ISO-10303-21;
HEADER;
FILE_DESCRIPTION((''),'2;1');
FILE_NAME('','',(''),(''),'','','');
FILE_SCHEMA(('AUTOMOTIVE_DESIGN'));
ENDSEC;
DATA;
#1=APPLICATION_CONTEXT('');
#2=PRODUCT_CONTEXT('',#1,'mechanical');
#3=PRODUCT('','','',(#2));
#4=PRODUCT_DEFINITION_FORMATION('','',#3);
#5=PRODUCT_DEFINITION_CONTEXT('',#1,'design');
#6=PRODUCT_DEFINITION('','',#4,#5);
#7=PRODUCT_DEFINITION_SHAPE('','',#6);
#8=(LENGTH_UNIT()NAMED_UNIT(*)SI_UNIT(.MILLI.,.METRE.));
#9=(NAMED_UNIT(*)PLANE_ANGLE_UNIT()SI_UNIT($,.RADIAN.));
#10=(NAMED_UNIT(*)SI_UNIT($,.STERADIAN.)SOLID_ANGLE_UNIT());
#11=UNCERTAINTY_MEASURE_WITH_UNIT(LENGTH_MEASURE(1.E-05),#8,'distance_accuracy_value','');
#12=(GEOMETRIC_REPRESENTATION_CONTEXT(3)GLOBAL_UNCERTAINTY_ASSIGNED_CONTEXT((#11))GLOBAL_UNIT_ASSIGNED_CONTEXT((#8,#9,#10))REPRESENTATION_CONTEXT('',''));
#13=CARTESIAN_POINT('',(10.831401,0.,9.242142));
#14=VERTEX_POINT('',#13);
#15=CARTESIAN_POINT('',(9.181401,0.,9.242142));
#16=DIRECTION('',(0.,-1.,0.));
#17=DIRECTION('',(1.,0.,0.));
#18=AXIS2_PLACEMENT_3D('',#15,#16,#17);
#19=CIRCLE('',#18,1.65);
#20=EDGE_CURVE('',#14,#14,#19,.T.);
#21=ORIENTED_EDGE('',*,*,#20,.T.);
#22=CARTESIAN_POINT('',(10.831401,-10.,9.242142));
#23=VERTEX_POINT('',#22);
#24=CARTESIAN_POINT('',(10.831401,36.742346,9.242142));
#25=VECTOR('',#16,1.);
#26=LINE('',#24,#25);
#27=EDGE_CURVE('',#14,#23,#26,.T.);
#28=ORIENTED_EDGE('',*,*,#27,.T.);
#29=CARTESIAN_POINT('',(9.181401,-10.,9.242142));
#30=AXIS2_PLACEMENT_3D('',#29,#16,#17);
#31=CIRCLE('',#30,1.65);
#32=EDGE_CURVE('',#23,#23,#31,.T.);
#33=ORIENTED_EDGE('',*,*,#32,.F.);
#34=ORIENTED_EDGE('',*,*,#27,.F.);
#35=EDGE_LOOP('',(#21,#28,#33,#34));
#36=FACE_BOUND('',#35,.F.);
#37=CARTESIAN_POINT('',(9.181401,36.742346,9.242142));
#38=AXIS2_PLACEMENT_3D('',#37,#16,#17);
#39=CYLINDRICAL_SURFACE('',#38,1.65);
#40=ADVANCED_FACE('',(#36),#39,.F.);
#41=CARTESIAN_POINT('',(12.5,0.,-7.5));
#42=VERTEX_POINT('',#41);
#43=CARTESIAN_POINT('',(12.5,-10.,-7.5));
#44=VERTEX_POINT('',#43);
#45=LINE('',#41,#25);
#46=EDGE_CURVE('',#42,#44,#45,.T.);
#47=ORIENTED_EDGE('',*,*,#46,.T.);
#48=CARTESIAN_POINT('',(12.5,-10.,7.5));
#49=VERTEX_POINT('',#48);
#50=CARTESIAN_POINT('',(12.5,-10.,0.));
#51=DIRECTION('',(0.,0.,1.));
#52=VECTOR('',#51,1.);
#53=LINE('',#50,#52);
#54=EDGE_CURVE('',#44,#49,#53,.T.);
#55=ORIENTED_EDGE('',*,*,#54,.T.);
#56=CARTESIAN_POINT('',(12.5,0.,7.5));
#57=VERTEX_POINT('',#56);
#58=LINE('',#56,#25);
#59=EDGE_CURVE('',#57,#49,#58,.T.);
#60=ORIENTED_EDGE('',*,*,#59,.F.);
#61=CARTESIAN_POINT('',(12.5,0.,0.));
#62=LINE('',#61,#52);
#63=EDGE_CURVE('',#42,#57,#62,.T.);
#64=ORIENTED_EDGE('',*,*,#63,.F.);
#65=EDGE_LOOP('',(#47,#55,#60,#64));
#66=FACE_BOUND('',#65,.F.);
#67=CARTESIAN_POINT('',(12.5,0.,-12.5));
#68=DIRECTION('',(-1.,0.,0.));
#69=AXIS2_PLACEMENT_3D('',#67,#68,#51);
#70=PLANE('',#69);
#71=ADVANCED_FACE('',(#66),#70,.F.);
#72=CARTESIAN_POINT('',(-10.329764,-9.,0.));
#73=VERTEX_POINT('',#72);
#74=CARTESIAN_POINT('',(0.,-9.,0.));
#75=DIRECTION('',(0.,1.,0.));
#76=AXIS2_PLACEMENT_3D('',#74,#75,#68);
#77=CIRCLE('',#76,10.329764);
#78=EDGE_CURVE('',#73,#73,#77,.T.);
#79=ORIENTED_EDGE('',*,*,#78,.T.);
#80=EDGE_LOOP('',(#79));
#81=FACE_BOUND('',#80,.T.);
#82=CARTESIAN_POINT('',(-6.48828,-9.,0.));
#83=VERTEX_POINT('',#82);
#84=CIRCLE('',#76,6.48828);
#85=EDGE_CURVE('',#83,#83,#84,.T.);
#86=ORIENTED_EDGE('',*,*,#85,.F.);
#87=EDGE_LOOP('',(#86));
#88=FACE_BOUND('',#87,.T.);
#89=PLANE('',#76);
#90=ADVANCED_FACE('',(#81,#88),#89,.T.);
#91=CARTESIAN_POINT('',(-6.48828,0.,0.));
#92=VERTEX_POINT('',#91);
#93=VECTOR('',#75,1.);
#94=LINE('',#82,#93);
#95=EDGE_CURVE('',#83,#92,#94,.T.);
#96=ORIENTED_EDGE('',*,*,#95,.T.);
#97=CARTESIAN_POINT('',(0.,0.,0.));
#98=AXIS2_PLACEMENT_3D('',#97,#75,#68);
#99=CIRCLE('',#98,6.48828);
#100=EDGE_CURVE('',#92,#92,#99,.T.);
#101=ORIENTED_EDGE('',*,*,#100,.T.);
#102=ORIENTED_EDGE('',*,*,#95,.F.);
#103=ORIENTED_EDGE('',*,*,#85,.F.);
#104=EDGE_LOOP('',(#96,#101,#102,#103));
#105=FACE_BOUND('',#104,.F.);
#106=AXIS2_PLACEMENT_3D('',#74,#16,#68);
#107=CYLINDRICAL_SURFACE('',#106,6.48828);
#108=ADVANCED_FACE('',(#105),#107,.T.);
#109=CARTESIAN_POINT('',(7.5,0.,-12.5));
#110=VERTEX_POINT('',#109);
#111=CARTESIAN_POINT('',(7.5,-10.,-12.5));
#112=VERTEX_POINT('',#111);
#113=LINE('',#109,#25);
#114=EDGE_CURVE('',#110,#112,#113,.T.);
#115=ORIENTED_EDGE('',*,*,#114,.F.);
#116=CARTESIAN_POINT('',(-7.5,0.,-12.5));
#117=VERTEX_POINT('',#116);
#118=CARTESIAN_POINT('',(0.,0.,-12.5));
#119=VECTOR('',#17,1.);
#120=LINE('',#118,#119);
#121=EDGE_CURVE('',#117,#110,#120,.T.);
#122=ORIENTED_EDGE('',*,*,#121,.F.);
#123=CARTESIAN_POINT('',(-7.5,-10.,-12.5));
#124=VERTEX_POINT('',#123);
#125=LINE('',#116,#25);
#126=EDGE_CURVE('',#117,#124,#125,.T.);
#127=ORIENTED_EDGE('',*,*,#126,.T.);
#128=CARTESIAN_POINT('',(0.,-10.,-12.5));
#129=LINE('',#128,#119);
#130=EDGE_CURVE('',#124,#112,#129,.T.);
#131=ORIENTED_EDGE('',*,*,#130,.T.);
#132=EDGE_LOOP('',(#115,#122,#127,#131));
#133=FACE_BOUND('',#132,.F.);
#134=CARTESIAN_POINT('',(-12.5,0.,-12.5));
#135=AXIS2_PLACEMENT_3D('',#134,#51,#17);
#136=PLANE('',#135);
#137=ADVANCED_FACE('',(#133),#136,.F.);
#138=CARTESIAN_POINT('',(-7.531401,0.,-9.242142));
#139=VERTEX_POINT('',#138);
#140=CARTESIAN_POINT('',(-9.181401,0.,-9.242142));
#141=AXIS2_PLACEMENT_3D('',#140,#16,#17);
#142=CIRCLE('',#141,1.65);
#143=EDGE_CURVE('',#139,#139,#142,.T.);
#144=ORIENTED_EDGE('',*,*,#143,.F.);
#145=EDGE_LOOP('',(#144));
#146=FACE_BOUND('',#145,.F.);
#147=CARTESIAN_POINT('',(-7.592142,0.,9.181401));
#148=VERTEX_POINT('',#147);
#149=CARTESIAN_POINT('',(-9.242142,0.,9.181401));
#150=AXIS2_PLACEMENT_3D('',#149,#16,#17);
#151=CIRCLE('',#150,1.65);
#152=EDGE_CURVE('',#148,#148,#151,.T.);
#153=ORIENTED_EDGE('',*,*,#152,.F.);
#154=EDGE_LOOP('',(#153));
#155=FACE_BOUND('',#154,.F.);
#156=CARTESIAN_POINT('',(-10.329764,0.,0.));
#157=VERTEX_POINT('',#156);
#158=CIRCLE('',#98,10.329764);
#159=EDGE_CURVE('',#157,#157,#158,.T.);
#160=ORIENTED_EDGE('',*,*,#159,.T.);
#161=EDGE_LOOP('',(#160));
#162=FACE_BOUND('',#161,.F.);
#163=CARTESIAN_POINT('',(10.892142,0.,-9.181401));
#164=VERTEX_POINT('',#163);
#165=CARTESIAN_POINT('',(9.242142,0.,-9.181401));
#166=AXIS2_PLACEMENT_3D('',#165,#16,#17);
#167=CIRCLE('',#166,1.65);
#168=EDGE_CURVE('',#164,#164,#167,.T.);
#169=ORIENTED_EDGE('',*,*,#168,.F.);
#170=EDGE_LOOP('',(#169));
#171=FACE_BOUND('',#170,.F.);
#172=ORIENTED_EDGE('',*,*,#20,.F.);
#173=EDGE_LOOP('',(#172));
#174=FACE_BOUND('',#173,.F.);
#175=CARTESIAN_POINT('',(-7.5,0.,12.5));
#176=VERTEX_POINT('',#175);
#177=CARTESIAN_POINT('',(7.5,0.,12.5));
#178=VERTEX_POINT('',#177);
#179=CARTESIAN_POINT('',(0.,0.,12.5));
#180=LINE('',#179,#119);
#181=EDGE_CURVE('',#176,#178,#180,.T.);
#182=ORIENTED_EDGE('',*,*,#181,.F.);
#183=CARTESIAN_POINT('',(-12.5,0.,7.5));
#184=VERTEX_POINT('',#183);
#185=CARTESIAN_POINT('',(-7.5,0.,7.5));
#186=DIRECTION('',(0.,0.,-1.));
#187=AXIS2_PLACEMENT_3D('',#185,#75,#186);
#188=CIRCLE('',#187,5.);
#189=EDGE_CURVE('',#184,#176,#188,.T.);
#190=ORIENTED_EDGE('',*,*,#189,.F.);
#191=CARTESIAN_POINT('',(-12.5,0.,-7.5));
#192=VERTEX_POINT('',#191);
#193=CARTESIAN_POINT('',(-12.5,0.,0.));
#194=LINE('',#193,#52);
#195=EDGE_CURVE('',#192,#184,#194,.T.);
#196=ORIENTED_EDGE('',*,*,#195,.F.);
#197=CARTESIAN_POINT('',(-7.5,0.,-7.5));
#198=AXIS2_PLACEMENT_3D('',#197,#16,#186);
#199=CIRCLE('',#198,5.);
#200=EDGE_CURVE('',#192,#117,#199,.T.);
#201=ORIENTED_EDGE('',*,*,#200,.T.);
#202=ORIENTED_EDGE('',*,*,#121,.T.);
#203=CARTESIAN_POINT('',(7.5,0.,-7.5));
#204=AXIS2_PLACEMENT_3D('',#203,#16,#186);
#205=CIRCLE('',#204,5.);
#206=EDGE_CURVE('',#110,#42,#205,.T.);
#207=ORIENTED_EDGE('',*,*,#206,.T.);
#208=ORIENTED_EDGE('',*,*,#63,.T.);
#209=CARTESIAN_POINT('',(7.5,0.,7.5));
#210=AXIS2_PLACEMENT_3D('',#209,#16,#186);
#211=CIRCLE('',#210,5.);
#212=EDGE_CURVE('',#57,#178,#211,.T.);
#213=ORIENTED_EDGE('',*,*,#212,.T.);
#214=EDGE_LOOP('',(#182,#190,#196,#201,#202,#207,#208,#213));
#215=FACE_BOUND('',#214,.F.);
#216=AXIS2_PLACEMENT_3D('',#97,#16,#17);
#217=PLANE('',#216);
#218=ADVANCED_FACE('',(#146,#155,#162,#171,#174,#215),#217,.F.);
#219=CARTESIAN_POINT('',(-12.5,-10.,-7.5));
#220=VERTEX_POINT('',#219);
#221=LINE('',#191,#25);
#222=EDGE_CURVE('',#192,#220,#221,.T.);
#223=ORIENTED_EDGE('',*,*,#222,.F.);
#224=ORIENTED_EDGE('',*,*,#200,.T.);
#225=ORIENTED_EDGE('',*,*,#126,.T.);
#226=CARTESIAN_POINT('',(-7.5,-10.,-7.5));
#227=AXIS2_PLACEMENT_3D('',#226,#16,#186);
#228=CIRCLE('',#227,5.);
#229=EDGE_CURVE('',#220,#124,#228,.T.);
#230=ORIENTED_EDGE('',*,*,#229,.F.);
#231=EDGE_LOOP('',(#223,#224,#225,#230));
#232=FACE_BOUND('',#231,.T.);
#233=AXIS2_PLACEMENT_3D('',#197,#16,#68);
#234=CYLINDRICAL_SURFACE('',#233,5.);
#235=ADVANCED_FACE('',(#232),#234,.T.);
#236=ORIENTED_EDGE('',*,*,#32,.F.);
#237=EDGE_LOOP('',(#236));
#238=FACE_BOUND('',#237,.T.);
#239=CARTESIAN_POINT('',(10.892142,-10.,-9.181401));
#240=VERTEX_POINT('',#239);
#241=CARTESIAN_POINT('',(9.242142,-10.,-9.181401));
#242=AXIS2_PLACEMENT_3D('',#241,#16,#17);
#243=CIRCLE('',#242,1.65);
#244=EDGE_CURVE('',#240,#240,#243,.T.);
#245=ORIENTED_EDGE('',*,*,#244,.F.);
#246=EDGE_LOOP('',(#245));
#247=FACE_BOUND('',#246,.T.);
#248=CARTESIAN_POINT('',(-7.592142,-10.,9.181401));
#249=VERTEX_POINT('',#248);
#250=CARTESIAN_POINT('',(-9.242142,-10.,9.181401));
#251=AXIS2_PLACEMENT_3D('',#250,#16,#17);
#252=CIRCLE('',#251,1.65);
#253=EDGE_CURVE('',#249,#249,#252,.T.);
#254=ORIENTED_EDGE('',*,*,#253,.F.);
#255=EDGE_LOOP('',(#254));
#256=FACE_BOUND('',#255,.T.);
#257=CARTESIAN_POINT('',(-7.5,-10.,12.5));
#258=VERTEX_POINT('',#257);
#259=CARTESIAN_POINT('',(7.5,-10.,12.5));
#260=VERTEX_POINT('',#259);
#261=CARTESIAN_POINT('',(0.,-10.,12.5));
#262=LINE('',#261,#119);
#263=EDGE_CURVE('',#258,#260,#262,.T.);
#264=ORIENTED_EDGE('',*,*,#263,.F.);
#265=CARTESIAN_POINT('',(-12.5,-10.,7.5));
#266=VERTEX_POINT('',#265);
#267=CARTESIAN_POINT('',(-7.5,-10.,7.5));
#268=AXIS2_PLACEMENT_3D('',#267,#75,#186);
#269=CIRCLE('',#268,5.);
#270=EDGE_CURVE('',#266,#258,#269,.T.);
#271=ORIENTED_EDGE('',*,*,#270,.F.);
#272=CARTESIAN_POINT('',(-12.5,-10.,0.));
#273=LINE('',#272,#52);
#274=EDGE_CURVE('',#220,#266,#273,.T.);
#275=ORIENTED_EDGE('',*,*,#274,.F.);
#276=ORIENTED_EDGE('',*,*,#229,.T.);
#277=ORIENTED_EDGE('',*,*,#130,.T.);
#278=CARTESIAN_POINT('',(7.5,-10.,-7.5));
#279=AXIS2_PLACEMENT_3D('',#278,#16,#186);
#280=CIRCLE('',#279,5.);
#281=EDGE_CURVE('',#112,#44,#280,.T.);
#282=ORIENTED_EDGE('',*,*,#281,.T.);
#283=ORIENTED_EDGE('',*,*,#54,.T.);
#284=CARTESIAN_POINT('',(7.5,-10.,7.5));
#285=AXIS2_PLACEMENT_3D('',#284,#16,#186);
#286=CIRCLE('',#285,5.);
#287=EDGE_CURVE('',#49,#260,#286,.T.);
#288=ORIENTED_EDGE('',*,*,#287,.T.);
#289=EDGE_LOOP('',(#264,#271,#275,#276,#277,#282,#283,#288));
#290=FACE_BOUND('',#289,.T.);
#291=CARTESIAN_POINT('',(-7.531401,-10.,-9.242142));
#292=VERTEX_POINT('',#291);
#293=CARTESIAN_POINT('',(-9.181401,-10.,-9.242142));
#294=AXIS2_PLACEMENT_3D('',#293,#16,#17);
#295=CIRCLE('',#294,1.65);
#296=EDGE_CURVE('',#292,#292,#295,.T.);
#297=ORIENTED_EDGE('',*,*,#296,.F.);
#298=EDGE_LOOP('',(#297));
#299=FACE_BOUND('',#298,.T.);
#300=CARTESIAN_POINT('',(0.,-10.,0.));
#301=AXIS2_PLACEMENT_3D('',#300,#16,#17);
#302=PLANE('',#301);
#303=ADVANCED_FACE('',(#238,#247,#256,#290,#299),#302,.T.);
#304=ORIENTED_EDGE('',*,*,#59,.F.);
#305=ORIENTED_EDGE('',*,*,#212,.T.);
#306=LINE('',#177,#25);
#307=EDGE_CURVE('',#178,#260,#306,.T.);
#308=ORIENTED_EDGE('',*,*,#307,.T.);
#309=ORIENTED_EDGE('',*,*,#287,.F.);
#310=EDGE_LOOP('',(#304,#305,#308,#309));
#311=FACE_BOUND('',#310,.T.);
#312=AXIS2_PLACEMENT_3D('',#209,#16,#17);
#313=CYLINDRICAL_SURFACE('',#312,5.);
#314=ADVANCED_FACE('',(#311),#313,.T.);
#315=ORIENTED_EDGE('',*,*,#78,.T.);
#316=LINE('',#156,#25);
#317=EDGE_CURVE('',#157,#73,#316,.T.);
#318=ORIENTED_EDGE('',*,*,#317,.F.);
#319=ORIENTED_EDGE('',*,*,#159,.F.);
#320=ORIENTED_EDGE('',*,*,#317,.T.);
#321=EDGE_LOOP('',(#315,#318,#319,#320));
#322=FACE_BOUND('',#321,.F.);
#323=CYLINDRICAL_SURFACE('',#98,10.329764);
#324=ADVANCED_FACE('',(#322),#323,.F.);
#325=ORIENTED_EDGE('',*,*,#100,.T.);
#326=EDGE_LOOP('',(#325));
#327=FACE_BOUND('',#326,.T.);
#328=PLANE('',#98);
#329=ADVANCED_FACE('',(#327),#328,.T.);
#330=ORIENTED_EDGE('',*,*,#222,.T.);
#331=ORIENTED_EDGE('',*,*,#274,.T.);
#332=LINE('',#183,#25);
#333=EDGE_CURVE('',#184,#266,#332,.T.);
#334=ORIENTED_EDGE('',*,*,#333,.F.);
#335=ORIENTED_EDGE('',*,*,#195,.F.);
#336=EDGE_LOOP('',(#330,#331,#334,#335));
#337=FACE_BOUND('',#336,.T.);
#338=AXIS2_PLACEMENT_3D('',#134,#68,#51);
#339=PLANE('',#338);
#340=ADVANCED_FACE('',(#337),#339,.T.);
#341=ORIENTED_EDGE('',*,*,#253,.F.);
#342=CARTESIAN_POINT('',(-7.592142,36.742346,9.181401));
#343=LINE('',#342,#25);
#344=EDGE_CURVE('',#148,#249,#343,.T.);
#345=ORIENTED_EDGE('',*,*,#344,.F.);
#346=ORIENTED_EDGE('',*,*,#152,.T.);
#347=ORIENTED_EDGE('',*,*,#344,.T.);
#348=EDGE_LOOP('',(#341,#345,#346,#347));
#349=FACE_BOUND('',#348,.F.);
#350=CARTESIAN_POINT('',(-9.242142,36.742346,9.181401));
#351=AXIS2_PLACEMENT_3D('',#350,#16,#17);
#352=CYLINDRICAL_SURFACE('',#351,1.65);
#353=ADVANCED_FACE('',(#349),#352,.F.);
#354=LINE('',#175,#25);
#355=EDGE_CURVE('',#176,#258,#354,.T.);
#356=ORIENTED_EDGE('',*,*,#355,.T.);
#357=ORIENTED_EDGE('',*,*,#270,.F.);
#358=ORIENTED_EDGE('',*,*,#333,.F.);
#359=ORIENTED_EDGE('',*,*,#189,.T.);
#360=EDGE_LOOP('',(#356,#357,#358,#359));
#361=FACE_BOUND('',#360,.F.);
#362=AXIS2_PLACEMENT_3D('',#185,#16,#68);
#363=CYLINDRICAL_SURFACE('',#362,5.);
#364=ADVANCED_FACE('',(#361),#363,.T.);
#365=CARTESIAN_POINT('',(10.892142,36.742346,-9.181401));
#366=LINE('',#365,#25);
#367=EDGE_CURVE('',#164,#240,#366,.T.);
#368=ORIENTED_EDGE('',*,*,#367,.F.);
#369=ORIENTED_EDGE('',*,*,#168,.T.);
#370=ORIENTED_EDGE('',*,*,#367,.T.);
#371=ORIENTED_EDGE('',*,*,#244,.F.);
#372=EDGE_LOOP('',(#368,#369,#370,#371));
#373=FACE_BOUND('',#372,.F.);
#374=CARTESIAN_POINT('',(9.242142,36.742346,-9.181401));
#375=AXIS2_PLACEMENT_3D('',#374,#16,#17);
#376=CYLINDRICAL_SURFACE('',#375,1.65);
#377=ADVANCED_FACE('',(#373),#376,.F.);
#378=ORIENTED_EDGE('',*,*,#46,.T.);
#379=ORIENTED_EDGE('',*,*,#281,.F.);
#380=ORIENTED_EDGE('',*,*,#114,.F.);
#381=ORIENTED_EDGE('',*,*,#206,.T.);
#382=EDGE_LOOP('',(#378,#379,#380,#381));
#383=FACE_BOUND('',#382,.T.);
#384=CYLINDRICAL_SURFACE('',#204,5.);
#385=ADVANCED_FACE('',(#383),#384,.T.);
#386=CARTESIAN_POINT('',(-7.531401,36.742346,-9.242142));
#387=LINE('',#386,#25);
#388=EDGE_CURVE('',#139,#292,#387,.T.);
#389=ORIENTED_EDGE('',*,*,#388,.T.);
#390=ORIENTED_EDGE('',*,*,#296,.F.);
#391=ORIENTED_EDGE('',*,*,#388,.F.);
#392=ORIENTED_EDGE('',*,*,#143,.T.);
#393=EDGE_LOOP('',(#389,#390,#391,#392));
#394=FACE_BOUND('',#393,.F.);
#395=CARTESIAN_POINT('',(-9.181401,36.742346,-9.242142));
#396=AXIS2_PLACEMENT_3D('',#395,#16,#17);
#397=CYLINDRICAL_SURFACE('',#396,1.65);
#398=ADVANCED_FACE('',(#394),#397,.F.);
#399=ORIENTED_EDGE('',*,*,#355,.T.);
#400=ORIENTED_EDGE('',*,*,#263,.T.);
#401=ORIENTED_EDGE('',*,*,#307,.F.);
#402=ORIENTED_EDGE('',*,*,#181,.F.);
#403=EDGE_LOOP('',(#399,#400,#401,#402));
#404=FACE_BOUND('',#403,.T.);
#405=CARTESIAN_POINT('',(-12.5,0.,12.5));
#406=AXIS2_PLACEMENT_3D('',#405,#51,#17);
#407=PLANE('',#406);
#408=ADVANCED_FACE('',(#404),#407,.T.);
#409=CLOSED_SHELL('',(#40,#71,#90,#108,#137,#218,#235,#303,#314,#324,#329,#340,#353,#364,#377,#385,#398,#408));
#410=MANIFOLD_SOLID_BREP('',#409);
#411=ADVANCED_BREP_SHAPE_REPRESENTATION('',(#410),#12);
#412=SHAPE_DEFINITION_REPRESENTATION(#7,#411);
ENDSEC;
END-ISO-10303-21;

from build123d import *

# Parameters (mm, degrees)
F0_W     = 25
F0_H     = 25
F1_DEPTH = 10
F2_R     = 5
F3_R     = 10.3297635793
F4_DEPTH = 9
F5_R     = 6.488280321
F6_DEPTH = 9
F8_D     = 3.3


with BuildPart() as f1:
    # F0 (on Front) → F1 (new body)
    with BuildSketch(Plane.XZ):
        Rectangle(F0_W, F0_H)
    extrude(amount=F1_DEPTH)

    # F2
    f2_edges = [f1.edges().sort_by_distance(p)[0] for p in [
        (12.5, -5, 12.5),
        (12.5, -5, -12.5),
        (-12.5, -5, 12.5),
        (-12.5, -5, -12.5),
    ]]
    fillet(f2_edges, radius=F2_R)

    # F3 (on face) → F4 (cut)
    with BuildSketch(Plane(origin=(0, 0, 0), x_dir=(-1, 0, 0), z_dir=(0, 1, 0))):
        Circle(F3_R)
    extrude(amount=-F4_DEPTH, mode=Mode.SUBTRACT)

    # F5 (on face) → F6 (join)
    with BuildSketch(Plane(origin=(0, -9, 0), x_dir=(-1, 0, 0), z_dir=(0, 1, 0))):
        Circle(F5_R)
    extrude(amount=F6_DEPTH)

    # F8 (through all)
    with Locations(Plane(origin=(0, 0, 0), x_dir=(-1, 0, 0), z_dir=(0, 1, 0))):
        with Locations((9.2421416193, 9.181400761), (9.181400761, -9.2421416193), (-9.2421416193, -9.181400761), (-9.181400761, 9.2421416193)):
            Hole(F8_D / 2)


solid = f1.part
